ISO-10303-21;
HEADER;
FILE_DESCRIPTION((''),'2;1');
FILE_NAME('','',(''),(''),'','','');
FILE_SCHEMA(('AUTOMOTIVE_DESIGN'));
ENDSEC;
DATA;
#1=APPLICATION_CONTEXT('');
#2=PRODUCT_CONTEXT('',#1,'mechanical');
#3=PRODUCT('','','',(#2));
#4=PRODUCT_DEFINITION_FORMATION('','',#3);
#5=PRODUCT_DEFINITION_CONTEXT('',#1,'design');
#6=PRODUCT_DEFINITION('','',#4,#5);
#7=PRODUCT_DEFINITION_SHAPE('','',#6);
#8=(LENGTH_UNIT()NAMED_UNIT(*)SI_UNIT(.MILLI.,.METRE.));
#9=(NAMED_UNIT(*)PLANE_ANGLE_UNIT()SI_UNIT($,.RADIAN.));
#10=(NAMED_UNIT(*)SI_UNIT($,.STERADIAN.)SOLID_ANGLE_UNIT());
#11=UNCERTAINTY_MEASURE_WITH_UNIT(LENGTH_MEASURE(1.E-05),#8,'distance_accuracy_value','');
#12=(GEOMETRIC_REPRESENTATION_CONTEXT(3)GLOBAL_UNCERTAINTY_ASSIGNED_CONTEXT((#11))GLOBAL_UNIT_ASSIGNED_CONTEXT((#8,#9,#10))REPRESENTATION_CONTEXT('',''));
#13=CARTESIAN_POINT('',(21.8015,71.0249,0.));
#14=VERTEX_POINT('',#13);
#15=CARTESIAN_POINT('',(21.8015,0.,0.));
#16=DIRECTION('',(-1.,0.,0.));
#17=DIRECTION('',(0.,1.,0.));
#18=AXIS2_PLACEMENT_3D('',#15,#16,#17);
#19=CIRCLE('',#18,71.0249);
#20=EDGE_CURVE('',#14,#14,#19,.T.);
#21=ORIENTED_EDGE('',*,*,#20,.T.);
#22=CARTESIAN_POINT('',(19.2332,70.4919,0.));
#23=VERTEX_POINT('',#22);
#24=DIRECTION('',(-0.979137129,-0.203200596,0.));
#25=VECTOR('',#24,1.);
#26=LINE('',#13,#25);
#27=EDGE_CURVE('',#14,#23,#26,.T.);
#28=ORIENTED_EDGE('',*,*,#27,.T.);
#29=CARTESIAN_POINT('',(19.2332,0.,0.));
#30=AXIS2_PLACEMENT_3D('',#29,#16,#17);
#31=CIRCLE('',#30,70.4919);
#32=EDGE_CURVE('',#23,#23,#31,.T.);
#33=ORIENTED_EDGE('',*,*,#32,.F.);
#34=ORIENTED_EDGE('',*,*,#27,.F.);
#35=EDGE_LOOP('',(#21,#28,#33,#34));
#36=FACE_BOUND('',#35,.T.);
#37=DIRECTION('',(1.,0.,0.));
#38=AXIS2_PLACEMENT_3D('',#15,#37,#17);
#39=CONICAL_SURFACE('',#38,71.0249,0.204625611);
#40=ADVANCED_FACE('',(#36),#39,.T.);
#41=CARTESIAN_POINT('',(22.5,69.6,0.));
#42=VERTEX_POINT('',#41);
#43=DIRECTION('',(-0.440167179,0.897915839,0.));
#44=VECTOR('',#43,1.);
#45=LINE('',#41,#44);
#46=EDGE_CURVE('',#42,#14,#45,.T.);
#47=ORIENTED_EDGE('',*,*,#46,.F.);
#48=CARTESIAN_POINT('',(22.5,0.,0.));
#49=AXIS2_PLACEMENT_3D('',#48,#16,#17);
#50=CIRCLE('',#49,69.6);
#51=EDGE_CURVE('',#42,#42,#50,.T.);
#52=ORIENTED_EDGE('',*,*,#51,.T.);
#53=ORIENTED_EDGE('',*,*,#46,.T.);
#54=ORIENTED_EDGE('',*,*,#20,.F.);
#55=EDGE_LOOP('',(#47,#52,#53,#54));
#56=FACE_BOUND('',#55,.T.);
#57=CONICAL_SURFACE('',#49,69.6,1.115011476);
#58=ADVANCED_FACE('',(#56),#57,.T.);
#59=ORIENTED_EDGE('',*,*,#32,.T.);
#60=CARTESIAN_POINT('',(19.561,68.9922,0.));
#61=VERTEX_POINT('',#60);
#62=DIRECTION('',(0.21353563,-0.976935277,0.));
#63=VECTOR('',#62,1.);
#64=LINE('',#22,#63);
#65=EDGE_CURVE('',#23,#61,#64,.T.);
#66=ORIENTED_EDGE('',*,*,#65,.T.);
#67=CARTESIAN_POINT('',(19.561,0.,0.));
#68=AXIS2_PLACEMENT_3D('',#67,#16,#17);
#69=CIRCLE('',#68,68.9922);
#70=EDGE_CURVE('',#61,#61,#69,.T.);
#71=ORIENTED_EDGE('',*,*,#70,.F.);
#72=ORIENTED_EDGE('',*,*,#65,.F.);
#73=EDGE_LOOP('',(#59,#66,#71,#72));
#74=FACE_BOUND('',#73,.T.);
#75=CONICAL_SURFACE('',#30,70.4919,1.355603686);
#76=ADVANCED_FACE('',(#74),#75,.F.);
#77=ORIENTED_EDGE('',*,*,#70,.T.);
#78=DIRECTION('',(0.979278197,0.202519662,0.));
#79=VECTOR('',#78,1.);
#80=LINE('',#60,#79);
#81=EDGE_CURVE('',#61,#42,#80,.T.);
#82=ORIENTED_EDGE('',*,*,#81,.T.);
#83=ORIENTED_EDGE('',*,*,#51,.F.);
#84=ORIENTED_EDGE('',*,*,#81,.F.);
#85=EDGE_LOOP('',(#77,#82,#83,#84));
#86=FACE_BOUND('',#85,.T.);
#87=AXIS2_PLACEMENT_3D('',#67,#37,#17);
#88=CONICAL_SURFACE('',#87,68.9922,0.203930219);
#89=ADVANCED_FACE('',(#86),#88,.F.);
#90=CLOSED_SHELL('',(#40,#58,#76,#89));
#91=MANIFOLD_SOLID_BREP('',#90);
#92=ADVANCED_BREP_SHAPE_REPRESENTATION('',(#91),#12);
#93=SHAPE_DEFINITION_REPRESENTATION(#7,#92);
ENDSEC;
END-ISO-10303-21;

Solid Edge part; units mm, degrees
sketch "Sketch1" plane through (0, 0, 0) normal (0, 0, 1) x (1, 0, 0)
  line L0 (19.2332, 70.4919) -> (19.561, 68.9922)
  line L1 (19.561, 68.9922) -> (22.5, 69.6)
  line L2 (22.5, 69.6) -> (21.8015, 71.0249)
  line L3 (21.8015, 71.0249) -> (19.2332, 70.4919)
revolve "RevolvedProtrusion1" add sketch "Sketch1" angle 360 about axis through (20.438, 0, 0) along (-1, 0, 0)
